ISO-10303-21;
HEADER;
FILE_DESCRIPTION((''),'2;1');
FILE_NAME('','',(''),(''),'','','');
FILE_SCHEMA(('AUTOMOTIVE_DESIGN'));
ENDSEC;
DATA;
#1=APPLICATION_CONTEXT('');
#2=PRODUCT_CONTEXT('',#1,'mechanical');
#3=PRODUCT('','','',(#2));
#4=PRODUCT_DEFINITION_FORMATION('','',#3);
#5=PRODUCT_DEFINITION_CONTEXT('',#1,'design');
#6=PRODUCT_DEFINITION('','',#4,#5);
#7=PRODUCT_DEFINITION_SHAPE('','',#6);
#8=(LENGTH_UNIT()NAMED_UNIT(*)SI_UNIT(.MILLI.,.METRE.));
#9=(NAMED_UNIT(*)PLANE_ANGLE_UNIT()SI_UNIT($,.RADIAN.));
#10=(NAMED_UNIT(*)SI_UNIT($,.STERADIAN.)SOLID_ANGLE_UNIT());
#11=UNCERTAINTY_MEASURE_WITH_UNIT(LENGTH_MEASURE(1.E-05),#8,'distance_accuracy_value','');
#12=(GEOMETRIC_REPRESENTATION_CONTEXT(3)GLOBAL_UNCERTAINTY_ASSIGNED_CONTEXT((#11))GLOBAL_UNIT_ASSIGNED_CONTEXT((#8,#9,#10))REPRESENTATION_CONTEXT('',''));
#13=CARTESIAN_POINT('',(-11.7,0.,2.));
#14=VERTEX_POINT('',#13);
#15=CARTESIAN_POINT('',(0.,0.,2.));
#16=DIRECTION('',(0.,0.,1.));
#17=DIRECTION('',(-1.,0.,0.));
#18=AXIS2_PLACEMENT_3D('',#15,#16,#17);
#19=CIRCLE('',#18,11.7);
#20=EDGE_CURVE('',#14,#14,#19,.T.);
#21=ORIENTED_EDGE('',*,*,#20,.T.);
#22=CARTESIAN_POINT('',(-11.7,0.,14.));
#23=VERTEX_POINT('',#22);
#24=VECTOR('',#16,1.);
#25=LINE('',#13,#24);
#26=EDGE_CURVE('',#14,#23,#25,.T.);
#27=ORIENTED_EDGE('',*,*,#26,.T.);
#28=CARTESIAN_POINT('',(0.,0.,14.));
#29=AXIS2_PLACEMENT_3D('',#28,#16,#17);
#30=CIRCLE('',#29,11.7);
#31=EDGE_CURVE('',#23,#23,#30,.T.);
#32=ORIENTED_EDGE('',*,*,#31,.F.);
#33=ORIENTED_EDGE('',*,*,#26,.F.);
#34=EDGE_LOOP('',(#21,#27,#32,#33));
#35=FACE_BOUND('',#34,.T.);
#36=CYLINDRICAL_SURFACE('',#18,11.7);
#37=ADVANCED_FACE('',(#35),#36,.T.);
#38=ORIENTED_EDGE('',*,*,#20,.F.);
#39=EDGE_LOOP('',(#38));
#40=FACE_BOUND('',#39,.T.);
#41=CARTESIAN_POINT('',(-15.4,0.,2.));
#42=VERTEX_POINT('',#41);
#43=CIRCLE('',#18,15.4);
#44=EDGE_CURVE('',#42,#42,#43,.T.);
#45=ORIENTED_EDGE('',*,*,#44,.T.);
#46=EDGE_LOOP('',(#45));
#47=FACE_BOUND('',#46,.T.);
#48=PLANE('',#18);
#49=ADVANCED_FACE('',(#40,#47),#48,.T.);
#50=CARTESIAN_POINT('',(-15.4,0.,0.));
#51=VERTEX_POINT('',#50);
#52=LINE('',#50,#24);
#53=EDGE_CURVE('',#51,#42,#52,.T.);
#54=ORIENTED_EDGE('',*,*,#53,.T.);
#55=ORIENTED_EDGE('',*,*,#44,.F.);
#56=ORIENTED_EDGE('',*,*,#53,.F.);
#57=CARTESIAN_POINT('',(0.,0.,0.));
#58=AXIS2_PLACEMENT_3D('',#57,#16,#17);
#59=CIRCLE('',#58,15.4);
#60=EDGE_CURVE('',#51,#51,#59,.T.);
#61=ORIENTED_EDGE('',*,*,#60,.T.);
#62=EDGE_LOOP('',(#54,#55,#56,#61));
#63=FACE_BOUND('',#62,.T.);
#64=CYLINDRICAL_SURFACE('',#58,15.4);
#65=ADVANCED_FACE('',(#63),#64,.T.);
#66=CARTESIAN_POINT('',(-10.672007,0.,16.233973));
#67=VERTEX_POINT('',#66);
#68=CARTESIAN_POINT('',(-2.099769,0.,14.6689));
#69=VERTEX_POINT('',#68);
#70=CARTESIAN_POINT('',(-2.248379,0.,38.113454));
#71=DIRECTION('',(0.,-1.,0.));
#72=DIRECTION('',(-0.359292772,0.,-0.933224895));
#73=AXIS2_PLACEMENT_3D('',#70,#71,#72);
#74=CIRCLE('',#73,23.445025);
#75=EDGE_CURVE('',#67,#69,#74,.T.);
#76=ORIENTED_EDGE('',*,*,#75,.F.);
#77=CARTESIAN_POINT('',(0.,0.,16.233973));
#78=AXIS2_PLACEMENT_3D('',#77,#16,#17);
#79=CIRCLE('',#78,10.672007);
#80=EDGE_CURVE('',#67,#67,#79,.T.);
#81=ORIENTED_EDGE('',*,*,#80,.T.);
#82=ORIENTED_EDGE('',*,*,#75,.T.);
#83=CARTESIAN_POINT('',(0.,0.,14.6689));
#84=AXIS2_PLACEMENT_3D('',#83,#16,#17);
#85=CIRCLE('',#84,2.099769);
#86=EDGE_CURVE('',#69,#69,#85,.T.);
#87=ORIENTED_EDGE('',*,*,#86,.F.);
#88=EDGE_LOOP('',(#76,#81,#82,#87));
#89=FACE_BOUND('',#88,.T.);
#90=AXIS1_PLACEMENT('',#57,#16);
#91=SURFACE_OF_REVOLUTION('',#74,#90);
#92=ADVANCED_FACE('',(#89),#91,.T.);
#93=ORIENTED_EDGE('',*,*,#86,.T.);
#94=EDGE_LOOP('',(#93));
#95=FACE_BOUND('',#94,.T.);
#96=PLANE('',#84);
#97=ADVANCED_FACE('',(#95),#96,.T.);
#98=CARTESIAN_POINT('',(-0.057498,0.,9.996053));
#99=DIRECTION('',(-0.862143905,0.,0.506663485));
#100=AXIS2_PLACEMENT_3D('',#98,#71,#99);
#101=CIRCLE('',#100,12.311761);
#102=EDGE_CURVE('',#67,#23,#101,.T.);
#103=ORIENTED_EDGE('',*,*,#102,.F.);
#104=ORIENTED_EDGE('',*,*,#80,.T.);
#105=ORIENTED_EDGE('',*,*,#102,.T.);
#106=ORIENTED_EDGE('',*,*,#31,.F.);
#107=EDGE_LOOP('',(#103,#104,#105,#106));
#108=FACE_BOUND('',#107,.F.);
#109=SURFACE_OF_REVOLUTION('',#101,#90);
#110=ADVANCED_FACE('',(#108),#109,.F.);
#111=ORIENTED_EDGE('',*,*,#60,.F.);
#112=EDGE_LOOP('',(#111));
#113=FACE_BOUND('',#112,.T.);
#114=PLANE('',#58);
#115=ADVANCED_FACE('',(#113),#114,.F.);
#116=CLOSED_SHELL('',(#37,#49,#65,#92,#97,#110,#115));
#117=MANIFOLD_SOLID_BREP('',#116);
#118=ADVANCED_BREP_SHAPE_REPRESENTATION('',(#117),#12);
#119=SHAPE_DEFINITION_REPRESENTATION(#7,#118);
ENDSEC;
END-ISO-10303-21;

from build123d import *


with BuildPart() as part:
    # Sketch → Revolution (revolve)
    with BuildSketch(Plane.XZ):
        with BuildLine():
            Line((0, 0), (-15.4, 0))
            Line((-15.4, 0), (-15.4, 2))
            Line((-15.4, 2), (-11.7, 2))
            Line((-11.7, 2), (-11.7, 14))
            ThreePointArc((-10.672007, 16.233973), (-11.24192, 15.142717), (-11.7, 14))
            ThreePointArc((-10.672007, 16.233973), (-6.459239, 15.049676), (-2.099769, 14.6689))
            Line((-2.099769, 14.6689), (0, 14.6689))
            Line((0, 14.6689), (0, 14))
            Line((0, 14), (0, 0))
        make_face()
    revolve(axis=Axis((0, 0, 0), (0, 0, 1)))


solid = part.part
